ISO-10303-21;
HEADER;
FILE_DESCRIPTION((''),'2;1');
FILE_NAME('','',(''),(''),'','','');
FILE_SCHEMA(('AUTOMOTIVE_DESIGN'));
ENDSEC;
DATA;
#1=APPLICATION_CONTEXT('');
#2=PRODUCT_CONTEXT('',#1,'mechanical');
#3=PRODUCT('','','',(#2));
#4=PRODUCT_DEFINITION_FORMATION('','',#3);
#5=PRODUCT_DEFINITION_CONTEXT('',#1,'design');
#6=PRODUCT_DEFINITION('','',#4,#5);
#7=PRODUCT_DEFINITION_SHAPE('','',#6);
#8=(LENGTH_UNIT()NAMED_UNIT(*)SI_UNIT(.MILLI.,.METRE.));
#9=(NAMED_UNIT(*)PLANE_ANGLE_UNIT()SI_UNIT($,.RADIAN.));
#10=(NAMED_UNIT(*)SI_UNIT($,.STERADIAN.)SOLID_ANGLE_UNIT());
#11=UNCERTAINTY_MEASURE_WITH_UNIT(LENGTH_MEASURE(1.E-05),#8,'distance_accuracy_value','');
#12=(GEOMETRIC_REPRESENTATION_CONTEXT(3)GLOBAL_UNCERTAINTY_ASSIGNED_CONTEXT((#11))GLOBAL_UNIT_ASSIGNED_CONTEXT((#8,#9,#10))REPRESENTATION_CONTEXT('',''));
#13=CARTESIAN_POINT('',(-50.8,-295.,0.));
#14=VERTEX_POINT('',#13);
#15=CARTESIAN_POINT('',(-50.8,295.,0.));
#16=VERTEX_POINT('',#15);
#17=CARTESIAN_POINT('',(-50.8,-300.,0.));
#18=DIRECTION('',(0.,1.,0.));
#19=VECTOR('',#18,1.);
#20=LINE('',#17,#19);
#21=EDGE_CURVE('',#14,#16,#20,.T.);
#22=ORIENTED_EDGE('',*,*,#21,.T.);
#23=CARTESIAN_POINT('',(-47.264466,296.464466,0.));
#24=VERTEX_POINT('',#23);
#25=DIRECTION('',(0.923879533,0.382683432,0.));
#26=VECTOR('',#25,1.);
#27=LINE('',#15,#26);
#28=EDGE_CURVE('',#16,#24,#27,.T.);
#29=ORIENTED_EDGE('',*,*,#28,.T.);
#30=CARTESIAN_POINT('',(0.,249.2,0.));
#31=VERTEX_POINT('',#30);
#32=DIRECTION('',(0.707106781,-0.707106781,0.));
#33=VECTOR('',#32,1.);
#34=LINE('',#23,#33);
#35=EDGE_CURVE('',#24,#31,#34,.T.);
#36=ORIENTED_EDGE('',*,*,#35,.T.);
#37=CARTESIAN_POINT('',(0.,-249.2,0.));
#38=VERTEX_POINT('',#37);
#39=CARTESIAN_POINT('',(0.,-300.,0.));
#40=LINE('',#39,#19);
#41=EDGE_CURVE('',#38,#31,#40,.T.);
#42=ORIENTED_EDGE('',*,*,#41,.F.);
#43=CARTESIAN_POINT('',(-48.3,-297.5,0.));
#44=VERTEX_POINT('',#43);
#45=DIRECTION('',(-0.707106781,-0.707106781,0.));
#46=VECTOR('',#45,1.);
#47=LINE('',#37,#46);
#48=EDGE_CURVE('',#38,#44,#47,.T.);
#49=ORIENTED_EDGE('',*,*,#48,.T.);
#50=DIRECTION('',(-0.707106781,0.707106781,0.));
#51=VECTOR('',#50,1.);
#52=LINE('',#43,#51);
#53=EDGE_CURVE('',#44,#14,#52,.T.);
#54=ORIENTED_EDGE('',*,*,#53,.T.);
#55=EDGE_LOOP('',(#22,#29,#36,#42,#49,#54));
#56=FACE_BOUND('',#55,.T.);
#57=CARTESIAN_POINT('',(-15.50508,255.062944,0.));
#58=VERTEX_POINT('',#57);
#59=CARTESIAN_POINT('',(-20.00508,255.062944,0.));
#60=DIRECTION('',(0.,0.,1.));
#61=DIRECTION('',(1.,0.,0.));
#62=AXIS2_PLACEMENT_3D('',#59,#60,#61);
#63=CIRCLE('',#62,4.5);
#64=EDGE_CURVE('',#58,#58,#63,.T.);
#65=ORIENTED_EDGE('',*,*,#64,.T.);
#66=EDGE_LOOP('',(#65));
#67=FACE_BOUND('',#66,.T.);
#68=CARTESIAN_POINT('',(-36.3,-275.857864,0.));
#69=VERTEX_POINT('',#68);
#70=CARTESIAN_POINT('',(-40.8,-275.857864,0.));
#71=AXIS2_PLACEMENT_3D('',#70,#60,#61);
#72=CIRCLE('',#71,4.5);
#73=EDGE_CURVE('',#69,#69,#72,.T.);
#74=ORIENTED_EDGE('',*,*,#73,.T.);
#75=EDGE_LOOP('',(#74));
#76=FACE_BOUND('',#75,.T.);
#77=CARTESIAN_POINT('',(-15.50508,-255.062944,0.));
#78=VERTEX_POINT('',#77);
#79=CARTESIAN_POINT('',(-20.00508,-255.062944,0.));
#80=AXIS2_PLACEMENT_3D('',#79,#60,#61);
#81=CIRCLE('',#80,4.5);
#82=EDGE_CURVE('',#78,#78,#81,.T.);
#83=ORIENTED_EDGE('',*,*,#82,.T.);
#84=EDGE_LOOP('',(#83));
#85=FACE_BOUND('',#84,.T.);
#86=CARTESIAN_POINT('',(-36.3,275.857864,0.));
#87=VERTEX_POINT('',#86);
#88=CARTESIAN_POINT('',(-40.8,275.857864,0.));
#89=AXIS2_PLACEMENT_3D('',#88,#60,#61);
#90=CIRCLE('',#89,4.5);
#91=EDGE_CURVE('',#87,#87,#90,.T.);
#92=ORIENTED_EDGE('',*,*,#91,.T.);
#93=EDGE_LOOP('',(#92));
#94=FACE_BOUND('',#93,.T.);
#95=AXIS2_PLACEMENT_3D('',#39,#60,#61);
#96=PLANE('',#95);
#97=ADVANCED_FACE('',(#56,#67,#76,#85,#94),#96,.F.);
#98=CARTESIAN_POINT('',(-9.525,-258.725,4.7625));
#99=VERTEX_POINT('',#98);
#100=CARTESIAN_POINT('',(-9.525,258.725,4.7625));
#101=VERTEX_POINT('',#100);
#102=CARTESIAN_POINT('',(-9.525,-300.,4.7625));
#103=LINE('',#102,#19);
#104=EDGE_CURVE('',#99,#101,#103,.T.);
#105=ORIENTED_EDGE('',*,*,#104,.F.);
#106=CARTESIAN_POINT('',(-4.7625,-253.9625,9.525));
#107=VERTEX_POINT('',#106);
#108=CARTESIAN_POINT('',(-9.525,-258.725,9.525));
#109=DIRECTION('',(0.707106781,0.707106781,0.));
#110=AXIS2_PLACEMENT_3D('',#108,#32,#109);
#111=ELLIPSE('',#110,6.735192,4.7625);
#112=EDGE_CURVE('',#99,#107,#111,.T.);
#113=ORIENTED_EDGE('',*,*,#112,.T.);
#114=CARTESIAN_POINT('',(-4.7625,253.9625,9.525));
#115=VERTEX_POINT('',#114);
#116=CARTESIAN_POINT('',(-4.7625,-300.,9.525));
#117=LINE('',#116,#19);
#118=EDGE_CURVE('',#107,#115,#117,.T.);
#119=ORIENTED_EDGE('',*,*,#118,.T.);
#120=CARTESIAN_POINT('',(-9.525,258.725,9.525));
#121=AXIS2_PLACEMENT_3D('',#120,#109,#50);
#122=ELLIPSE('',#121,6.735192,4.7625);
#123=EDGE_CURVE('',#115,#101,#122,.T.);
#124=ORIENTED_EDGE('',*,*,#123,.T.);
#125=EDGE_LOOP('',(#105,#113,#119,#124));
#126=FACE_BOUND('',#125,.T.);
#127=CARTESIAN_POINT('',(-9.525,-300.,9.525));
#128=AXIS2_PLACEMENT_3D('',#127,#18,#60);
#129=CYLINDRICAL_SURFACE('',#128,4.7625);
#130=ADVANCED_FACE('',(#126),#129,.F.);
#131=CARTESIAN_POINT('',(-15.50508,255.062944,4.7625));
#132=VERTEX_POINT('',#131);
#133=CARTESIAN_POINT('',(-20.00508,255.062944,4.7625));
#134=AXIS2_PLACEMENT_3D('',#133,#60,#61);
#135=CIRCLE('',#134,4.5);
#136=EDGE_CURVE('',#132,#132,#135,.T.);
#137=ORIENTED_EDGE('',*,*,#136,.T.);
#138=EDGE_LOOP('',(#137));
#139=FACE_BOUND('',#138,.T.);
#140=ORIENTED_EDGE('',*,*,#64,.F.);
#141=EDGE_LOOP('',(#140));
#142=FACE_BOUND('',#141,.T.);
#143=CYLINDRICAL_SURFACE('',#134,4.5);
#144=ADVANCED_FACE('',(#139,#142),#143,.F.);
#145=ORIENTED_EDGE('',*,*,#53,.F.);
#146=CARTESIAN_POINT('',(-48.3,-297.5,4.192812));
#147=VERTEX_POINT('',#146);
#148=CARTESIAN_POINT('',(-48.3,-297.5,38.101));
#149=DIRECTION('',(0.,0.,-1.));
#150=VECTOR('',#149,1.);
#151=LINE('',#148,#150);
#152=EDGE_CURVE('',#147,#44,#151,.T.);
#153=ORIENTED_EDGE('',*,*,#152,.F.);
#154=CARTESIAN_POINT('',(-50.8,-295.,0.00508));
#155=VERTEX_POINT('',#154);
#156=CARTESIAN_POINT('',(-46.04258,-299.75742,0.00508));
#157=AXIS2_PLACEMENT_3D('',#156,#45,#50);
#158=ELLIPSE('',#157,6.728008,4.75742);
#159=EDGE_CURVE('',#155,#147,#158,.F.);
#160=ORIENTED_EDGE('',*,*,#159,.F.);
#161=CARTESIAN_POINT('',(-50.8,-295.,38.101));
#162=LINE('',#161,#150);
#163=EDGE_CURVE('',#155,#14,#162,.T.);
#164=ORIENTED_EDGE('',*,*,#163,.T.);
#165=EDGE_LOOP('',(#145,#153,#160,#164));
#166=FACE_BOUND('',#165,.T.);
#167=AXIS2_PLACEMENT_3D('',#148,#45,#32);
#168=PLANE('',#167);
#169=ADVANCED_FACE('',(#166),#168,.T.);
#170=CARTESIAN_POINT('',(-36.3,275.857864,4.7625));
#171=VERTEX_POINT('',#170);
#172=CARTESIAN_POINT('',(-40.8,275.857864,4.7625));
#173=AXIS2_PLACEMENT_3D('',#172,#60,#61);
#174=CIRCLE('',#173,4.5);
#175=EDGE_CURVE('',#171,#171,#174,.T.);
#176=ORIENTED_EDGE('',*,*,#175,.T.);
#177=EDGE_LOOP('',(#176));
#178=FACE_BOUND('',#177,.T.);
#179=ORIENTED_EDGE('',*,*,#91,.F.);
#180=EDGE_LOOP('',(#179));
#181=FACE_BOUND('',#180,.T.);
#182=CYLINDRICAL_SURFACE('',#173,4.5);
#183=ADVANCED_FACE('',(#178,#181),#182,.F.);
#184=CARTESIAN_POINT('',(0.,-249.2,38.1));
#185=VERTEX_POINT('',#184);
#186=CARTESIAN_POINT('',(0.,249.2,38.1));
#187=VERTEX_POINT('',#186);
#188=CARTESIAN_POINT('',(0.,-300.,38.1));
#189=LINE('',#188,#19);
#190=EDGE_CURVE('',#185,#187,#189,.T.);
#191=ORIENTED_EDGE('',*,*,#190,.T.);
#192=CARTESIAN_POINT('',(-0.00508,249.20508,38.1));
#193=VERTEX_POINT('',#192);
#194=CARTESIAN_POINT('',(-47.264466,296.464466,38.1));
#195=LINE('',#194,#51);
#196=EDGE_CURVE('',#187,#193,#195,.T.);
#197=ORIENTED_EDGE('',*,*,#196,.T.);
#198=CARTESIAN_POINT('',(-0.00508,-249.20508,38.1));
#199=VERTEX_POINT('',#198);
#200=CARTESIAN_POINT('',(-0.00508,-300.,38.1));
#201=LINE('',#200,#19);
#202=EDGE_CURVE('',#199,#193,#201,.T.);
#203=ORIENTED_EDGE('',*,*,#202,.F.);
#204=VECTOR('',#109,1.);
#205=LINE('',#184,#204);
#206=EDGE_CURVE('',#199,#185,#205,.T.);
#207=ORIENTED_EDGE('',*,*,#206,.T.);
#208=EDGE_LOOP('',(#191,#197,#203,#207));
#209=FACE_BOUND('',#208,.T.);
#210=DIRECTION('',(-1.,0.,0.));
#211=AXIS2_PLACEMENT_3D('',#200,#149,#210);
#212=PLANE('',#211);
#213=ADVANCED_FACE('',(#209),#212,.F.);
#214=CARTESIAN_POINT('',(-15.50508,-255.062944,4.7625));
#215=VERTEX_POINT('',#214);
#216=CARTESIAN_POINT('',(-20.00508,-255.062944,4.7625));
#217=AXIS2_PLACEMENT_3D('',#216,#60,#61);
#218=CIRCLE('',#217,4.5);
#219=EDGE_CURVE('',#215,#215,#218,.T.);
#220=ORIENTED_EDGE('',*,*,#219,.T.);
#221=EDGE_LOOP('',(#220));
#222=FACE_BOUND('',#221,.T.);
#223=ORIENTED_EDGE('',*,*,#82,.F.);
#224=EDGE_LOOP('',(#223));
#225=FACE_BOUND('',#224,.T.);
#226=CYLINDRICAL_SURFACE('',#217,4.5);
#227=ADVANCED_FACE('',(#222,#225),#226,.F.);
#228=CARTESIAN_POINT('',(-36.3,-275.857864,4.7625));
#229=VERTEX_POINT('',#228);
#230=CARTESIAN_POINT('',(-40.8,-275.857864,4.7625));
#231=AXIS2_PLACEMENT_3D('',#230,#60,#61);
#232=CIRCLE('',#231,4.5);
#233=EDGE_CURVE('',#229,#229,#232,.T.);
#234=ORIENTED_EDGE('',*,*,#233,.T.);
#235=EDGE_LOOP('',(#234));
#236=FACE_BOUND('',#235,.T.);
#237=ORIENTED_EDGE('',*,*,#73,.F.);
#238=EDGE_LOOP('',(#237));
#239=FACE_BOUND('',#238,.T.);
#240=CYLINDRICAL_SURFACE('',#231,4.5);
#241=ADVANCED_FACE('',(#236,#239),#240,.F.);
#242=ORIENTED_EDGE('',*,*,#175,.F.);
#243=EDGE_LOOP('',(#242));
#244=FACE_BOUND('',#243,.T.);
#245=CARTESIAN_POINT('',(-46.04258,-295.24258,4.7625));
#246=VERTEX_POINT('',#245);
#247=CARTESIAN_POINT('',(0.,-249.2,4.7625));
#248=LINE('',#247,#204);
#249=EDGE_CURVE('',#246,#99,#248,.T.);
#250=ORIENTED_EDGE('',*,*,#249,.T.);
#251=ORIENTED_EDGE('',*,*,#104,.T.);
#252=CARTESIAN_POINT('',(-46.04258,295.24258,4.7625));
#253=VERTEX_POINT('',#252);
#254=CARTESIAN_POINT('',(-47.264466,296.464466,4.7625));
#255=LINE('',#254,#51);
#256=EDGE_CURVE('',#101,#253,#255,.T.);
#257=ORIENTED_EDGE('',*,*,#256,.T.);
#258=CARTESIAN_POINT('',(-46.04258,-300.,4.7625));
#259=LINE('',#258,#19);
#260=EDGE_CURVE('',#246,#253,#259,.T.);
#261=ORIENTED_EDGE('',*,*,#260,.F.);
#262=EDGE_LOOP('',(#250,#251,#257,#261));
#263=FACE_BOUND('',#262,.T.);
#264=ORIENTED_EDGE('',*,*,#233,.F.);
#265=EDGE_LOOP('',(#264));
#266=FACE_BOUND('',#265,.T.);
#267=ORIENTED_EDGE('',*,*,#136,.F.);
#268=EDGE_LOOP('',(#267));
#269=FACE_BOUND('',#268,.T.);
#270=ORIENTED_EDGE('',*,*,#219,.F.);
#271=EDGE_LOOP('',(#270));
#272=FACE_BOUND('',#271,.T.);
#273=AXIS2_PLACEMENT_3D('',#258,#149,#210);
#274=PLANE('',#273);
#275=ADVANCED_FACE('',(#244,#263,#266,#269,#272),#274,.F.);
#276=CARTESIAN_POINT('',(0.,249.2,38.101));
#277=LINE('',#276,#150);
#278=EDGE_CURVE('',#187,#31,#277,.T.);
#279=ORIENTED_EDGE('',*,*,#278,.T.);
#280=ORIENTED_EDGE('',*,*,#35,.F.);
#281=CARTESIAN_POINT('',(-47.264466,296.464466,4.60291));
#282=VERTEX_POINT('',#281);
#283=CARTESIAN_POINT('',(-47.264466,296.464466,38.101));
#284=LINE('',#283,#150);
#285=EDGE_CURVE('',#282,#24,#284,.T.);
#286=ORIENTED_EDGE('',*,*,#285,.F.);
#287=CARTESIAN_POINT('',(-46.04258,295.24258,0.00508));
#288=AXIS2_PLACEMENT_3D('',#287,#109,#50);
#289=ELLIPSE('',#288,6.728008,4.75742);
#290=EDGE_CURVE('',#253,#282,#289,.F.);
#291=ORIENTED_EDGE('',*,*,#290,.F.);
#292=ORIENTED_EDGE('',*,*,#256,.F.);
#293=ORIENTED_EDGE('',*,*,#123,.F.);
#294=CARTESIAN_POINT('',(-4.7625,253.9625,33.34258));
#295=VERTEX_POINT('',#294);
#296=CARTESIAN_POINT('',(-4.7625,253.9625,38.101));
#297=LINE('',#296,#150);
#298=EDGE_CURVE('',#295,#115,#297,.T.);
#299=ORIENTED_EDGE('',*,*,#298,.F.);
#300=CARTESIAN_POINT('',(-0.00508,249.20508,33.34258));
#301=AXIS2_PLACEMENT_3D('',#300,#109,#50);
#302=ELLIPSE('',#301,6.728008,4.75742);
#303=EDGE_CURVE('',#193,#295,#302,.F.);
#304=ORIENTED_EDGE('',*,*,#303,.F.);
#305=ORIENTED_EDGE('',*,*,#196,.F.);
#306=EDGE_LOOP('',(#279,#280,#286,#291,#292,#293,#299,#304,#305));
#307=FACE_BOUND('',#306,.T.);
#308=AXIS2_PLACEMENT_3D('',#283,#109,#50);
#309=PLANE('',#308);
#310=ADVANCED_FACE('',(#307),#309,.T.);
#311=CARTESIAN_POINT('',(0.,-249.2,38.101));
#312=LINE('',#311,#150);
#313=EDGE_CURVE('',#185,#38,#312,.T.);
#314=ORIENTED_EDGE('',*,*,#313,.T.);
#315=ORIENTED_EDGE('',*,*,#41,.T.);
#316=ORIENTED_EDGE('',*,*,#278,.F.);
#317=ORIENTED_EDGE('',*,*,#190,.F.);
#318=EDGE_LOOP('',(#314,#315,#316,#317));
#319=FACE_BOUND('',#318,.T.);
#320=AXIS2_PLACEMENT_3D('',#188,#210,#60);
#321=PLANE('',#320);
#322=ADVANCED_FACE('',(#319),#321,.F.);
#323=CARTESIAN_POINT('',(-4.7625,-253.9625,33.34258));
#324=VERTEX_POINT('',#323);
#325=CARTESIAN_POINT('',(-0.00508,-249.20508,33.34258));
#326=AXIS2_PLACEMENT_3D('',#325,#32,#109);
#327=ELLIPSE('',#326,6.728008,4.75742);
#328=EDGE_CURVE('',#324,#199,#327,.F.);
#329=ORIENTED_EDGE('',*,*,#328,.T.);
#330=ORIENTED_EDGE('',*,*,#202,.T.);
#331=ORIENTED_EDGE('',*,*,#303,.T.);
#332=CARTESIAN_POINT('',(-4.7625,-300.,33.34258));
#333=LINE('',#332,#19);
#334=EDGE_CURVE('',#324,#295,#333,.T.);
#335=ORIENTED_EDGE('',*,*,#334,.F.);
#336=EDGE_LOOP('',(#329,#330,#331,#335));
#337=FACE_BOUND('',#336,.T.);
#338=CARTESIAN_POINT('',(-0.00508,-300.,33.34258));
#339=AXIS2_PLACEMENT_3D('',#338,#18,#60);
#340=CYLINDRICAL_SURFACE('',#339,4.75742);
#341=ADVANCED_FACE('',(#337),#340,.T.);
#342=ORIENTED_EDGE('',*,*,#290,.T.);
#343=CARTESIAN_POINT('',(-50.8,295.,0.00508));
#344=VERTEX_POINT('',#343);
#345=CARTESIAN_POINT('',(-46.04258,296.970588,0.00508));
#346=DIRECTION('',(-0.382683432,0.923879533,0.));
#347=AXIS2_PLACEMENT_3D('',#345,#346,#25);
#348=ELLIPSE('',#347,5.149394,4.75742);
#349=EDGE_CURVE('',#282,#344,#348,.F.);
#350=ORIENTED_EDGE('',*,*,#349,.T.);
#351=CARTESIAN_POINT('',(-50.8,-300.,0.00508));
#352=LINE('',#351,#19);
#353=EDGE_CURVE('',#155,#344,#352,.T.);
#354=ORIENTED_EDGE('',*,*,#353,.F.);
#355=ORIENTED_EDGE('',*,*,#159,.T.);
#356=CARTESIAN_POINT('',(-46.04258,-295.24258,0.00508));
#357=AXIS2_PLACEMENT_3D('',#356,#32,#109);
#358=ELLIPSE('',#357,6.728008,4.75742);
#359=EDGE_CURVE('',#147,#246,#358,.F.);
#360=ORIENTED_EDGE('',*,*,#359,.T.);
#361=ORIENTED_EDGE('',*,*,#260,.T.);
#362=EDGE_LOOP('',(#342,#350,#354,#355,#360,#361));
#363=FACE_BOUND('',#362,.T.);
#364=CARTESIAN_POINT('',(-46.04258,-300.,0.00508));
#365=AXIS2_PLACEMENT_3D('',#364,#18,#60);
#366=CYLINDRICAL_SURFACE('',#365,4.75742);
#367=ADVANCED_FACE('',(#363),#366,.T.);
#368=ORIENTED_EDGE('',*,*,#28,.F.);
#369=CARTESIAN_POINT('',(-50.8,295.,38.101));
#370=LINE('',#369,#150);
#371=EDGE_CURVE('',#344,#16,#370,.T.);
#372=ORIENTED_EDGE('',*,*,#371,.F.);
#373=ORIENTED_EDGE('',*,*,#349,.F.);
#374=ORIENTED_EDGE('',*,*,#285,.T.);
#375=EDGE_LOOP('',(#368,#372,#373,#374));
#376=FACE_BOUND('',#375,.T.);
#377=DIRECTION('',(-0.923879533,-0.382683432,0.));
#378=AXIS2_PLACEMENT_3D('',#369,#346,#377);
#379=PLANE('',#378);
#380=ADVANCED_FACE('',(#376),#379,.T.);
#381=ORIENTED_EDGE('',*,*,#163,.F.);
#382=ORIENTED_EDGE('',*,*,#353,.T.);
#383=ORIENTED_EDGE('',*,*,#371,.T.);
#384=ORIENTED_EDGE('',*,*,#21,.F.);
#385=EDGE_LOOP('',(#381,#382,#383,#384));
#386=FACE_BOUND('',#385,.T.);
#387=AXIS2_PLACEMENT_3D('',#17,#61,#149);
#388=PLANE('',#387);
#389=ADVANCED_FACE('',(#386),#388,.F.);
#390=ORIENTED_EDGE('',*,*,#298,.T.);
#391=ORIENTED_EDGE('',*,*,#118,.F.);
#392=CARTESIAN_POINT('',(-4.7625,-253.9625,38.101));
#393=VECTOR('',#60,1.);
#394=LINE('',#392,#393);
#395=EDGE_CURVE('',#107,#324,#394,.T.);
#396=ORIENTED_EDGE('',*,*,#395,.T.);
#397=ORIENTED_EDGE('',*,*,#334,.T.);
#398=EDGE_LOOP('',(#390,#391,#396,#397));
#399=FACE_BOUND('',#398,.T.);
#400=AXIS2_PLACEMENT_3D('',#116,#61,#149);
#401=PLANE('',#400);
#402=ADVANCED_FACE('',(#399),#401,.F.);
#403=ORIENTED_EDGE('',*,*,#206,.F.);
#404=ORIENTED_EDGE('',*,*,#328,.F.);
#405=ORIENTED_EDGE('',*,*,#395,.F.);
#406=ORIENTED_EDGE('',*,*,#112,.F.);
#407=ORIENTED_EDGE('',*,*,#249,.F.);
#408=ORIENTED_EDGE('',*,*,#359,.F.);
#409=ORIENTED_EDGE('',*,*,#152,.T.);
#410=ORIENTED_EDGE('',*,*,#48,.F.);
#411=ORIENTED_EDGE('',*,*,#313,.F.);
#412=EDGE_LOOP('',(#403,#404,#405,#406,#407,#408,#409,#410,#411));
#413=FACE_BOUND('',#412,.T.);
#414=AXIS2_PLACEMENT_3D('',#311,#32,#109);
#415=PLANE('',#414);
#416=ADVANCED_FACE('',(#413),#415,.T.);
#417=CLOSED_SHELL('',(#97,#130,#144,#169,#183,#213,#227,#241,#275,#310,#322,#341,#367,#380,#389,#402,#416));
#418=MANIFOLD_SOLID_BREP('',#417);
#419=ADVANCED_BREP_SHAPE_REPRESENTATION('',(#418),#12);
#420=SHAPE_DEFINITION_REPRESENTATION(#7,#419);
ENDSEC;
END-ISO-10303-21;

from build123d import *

# Parameters (mm, degrees)
L_ANGLE_L2X1_5X0_1875_1_DEPTH = 600
CUT_EXTRUDE1_REACH            = 308.647
M8_CLEARANCE_HOLE1_D          = 9


with BuildPart() as part:
    # Sketch14 → L angle L2X1.5X0.1875(1) (new body)
    with BuildSketch(Plane(origin=(0, 300, 0), x_dir=(0, 0, 1), z_dir=(0, -1, 0))):
        with BuildLine():
            Line((0, 0), (0, 50.8))
            Line((0, 50.8), (0.00508, 50.8))
            ThreePointArc((0.00508, 50.8), (3.369083943, 49.406583943), (4.7625, 46.04258))
            Line((4.7625, 46.04258), (4.7625, 9.525))
            ThreePointArc((4.7625, 9.525), (6.157403955, 6.157403955), (9.525, 4.7625))
            Line((9.525, 4.7625), (33.34258, 4.7625))
            ThreePointArc((33.34258, 4.7625), (36.706583943, 3.369083943), (38.1, 0.00508))
            Line((38.1, 0.00508), (38.1, 0))
            Line((38.1, 0), (0, 0))
        make_face()
    extrude(amount=L_ANGLE_L2X1_5X0_1875_1_DEPTH)

    # Sketch15 → Cut-Extrude1 (cut, up to next)
    with BuildSketch(Plane.XY, mode=Mode.PRIVATE) as cut_extrude1_sk1:
        Polygon((-50.8, -300), (0, -300), (0, -249.2), (-48.3, -297.5), (-50.8, -295), align=None)
    cut_extrude1_tool1 = extrude(cut_extrude1_sk1.sketch, amount=CUT_EXTRUDE1_REACH, mode=Mode.PRIVATE) & part.part
    # Sketch15 → Cut-Extrude1 (cut, up to next)
    with BuildSketch(Plane.XY, mode=Mode.PRIVATE) as cut_extrude1_sk2:
        Polygon((-50.8, 300), (0, 300), (0, 249.2), (-47.264466094, 296.464466094), (-50.8, 295), align=None)
    cut_extrude1_tool2 = extrude(cut_extrude1_sk2.sketch, amount=CUT_EXTRUDE1_REACH, mode=Mode.PRIVATE) & part.part
    add(cut_extrude1_tool1.solids().sort_by_distance((-17.092568, -283.136241, 0))[0], mode=Mode.SUBTRACT)
    add(cut_extrude1_tool2.solids().sort_by_distance((-17.155727, 283.162516, 0))[0], mode=Mode.SUBTRACT)

    # M8 Clearance Hole1 (through all)
    with Locations(Plane.XY.offset(4.7625)):
        with Locations((-40.8, 275.857864376), (-20.00508, 255.062944376), (-20.00508, -255.062944376), (-40.8, -275.857864376)):
            Hole(M8_CLEARANCE_HOLE1_D / 2)


solid = part.part
